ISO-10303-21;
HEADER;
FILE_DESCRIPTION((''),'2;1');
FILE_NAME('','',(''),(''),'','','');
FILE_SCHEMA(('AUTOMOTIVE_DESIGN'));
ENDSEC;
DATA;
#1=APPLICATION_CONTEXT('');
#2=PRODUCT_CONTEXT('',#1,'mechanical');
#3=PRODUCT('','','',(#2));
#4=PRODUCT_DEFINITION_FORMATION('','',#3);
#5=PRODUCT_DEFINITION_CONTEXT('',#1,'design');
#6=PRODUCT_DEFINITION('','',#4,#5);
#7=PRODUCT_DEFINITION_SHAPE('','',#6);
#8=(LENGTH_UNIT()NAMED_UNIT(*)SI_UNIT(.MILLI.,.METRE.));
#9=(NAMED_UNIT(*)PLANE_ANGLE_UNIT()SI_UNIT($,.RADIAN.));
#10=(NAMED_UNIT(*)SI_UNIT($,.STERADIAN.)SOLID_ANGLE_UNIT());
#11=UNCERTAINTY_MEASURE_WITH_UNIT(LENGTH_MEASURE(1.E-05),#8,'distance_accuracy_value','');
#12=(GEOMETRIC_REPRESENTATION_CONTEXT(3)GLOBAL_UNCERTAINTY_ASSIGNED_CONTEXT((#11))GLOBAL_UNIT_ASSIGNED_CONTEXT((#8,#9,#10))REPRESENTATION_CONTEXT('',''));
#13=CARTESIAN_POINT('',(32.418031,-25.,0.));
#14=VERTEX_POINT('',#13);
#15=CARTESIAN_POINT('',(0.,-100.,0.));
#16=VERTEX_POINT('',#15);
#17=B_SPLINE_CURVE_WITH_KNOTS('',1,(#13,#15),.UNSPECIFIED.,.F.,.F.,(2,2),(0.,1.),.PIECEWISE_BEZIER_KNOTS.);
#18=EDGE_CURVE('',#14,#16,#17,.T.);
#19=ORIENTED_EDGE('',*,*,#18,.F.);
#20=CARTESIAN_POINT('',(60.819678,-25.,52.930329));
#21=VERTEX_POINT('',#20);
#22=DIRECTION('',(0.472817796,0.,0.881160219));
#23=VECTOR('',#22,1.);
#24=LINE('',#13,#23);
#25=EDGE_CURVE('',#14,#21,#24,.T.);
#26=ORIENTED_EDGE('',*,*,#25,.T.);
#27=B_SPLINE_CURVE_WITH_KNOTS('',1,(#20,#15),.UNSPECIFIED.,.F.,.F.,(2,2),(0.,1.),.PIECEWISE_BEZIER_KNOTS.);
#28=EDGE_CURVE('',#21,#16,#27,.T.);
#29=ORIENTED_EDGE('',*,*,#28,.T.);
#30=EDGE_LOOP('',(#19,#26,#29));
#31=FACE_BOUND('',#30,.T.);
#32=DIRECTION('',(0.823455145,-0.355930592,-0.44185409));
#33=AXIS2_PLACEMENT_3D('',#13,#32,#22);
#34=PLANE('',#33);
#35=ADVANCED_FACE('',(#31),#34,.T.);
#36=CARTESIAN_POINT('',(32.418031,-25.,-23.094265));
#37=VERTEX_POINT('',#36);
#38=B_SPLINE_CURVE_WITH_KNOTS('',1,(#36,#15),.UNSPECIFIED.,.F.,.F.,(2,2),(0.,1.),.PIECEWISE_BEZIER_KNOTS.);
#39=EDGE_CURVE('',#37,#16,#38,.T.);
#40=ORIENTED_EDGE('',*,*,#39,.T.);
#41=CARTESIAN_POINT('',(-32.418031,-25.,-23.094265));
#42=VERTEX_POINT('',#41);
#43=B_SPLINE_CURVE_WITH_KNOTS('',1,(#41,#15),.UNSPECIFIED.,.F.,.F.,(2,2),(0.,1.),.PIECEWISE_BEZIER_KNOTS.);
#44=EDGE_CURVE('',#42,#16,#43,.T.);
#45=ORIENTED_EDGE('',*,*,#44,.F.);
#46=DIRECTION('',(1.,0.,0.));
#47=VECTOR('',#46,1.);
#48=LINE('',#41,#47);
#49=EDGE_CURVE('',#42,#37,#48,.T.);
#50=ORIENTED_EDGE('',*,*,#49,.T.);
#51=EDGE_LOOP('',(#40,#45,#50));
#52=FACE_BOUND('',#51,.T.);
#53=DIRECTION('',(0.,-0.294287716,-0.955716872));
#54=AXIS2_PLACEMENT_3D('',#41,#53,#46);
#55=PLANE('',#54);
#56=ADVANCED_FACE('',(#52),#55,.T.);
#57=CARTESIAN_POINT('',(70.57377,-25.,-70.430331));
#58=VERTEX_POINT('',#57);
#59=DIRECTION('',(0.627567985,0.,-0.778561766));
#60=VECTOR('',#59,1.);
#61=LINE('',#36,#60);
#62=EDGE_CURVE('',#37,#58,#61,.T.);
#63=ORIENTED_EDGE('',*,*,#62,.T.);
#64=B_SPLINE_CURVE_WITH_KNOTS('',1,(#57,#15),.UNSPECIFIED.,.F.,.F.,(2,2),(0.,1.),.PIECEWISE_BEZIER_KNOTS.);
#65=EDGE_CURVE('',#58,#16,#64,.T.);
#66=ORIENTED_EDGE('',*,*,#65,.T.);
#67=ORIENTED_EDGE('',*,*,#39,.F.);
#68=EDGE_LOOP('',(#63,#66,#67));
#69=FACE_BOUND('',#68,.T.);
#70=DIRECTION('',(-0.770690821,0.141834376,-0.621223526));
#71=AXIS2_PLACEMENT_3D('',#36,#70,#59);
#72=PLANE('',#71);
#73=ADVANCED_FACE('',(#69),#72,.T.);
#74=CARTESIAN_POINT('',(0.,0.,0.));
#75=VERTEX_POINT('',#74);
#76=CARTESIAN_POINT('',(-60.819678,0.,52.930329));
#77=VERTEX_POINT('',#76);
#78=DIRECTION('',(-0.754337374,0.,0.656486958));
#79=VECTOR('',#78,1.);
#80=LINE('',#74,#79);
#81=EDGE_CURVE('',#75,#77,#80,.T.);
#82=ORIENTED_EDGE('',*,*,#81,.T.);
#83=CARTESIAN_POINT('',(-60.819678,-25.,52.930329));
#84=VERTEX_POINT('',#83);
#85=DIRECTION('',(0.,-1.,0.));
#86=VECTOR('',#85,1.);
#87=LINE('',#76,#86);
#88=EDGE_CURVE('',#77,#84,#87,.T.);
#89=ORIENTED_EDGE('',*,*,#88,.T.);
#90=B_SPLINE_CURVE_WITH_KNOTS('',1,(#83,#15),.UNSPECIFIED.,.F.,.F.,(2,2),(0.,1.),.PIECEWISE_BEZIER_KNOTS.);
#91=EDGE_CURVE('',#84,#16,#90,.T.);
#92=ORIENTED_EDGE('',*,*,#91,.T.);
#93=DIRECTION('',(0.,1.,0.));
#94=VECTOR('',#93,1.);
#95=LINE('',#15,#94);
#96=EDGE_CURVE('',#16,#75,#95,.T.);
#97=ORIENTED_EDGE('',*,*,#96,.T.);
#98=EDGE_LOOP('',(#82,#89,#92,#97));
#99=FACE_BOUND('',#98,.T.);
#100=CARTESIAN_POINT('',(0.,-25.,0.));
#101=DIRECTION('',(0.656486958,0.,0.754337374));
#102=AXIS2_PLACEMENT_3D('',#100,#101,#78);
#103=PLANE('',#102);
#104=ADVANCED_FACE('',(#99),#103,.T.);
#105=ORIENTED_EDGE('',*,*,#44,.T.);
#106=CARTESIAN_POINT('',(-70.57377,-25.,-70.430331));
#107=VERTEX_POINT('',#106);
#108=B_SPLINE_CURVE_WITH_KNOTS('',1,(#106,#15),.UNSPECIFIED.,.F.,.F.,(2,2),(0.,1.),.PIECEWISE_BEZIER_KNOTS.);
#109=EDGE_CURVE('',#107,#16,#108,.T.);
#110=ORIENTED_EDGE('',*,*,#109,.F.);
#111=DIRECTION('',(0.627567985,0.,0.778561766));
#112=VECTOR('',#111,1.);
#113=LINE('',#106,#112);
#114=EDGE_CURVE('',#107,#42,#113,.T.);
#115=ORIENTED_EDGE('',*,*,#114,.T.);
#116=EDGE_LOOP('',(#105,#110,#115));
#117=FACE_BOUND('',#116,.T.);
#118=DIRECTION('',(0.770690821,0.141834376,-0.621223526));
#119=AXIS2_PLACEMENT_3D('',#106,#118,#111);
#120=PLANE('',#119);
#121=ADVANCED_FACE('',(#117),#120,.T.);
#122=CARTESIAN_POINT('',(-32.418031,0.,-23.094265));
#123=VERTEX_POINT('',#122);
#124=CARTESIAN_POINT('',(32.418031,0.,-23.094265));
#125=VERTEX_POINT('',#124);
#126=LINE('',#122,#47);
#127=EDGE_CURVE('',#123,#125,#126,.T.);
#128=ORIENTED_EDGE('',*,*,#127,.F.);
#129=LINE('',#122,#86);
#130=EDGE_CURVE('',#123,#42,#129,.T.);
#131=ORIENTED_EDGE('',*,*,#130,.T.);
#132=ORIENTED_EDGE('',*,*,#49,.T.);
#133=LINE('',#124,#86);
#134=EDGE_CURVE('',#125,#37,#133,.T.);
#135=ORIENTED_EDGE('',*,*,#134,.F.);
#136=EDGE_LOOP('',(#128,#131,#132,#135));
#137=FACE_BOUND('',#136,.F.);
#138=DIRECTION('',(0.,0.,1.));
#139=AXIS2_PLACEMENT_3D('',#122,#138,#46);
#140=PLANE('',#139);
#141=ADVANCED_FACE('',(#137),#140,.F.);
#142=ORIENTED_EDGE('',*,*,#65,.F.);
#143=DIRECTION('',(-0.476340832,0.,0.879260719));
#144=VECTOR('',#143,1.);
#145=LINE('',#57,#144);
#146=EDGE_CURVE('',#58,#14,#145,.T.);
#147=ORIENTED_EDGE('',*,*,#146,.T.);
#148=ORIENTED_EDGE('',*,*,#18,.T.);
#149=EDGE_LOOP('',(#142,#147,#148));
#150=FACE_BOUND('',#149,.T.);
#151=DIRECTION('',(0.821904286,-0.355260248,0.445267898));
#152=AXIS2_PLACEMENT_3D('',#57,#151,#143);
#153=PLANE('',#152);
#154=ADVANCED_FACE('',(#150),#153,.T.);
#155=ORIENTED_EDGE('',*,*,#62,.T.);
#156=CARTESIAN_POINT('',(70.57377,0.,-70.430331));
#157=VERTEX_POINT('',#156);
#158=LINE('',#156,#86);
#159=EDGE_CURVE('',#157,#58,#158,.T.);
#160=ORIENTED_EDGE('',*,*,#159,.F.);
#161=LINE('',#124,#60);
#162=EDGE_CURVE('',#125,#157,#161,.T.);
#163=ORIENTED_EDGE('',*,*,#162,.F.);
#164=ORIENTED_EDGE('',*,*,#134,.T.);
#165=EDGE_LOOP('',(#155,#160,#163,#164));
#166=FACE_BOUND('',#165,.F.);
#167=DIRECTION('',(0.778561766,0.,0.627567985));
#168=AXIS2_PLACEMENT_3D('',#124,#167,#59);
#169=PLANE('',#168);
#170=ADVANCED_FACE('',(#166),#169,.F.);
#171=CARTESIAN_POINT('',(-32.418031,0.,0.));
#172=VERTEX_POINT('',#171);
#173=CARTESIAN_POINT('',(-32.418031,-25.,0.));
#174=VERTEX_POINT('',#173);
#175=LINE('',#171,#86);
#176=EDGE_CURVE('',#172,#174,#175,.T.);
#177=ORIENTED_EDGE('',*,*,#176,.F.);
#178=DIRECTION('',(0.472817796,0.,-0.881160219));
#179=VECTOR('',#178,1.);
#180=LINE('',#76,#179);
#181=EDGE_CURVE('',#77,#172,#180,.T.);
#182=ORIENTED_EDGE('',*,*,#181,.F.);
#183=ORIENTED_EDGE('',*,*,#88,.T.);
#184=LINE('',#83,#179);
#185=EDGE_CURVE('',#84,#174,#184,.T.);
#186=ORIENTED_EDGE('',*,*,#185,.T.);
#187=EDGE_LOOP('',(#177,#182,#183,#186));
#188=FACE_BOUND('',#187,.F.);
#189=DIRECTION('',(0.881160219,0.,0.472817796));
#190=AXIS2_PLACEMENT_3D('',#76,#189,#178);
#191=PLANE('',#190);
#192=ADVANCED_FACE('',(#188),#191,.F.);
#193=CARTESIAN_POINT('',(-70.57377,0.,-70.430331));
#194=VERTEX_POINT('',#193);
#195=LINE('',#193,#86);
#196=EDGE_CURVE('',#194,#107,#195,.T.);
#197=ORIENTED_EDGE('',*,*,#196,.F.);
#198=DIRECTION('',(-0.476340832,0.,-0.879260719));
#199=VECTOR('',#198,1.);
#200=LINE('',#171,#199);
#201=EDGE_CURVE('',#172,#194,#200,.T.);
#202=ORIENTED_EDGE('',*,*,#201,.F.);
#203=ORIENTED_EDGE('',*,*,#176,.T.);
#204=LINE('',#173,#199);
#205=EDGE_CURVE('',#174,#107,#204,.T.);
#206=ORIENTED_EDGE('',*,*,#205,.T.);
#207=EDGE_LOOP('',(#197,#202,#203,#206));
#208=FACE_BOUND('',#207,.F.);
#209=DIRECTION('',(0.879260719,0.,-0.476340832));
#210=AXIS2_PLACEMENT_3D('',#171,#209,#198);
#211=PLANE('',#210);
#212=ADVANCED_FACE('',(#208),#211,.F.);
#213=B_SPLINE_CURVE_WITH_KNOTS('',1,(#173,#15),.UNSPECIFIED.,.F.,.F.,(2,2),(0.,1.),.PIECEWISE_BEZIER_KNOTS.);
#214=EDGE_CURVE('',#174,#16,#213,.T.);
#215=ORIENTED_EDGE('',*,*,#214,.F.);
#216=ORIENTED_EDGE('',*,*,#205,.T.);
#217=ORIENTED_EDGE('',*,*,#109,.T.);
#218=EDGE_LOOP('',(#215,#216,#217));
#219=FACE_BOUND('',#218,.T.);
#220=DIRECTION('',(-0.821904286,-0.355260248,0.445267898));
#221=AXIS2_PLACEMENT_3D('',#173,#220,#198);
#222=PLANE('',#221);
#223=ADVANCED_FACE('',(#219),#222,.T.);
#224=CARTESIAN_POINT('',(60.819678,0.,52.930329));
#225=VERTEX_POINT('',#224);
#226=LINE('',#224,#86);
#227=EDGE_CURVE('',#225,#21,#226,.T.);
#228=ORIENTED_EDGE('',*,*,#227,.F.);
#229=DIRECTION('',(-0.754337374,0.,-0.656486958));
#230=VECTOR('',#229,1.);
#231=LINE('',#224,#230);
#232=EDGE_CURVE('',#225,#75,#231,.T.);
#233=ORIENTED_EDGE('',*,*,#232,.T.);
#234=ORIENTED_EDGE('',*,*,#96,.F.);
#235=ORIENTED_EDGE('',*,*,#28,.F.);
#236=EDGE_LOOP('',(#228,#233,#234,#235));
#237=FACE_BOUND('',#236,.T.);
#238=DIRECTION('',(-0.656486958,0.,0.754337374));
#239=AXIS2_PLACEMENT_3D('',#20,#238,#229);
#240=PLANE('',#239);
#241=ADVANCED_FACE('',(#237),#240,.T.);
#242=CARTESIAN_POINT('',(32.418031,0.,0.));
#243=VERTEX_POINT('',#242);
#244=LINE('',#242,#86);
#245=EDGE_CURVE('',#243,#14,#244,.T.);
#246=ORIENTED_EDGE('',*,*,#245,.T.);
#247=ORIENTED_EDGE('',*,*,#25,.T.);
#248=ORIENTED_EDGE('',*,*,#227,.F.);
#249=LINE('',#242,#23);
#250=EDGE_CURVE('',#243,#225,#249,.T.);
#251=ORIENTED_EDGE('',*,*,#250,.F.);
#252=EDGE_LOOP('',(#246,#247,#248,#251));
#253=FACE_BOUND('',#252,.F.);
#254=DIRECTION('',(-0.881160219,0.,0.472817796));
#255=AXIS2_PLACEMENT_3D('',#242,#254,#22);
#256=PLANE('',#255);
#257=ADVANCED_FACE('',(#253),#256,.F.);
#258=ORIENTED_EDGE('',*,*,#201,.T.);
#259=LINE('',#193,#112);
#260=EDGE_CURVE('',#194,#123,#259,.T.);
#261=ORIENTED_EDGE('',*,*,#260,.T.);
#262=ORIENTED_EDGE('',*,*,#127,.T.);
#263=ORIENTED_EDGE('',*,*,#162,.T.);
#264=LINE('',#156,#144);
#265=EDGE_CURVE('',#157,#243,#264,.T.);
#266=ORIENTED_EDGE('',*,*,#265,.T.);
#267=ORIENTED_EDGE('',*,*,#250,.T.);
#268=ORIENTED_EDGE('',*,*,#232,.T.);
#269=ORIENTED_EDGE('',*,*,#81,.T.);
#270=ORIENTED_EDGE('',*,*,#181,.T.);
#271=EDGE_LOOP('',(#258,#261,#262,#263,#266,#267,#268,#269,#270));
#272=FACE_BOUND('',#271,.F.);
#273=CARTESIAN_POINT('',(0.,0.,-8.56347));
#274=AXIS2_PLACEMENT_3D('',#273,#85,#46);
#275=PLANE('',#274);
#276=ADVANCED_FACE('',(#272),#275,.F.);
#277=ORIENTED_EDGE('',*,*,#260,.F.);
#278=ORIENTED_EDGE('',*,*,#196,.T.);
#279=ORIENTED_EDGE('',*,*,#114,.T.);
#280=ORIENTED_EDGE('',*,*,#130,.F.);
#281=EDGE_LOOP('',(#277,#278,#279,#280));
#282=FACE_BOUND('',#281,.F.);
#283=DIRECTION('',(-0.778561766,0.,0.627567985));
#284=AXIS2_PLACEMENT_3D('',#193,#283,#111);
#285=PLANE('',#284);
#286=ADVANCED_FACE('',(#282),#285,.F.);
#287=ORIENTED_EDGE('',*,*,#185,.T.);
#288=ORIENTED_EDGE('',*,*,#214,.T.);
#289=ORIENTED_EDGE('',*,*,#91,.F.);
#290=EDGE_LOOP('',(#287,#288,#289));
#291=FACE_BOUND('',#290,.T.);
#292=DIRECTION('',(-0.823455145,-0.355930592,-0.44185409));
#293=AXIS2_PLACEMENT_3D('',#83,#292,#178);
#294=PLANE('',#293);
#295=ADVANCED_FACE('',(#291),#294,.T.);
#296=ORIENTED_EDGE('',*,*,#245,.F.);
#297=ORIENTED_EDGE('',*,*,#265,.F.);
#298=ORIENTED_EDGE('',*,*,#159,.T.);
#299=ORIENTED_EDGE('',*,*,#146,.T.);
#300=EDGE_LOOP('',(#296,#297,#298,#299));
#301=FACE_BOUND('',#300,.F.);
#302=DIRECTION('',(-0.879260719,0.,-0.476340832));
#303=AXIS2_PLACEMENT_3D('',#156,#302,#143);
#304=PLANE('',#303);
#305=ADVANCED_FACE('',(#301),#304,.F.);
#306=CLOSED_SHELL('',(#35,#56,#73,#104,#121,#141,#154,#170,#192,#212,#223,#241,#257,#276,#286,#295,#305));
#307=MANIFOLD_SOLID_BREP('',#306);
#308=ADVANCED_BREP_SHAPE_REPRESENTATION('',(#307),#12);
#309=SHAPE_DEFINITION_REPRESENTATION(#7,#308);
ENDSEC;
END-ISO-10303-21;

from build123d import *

# Parameters (mm, degrees)
F1_DEPTH = 25


with BuildPart() as f1:
    # F0 (on Front) → F1 (new body)
    with BuildSketch(Plane.XZ):
        Polygon((60.819678, 52.930329), (0, 0), (-60.819678, 52.930329), (-32.418031, 0), (-70.57377, -70.430331), (-32.418031, -23.094265), (32.418031, -23.094265), (70.57377, -70.430331), (32.418031, 0), align=None)
    extrude(amount=F1_DEPTH)

    # F1_face (on face) → F4 section 0
    with BuildSketch(Plane(origin=(0, -25, -3.53806), x_dir=(1, 0, 0), z_dir=(0, -1, 0)), mode=Mode.PRIVATE) as f4_s0:
        Polygon((-60.819678, 56.468389), (-32.418031, 3.53806), (-70.57377, -66.892271), (-32.418031, -19.556205), (32.418031, -19.556205), (70.57377, -66.892271), (32.418031, 3.53806), (60.819678, 56.468389), (0, 3.53806), align=None)
    loft([f4_s0.sketch, Vertex(0, -100, 0)])


solid = f1.part
